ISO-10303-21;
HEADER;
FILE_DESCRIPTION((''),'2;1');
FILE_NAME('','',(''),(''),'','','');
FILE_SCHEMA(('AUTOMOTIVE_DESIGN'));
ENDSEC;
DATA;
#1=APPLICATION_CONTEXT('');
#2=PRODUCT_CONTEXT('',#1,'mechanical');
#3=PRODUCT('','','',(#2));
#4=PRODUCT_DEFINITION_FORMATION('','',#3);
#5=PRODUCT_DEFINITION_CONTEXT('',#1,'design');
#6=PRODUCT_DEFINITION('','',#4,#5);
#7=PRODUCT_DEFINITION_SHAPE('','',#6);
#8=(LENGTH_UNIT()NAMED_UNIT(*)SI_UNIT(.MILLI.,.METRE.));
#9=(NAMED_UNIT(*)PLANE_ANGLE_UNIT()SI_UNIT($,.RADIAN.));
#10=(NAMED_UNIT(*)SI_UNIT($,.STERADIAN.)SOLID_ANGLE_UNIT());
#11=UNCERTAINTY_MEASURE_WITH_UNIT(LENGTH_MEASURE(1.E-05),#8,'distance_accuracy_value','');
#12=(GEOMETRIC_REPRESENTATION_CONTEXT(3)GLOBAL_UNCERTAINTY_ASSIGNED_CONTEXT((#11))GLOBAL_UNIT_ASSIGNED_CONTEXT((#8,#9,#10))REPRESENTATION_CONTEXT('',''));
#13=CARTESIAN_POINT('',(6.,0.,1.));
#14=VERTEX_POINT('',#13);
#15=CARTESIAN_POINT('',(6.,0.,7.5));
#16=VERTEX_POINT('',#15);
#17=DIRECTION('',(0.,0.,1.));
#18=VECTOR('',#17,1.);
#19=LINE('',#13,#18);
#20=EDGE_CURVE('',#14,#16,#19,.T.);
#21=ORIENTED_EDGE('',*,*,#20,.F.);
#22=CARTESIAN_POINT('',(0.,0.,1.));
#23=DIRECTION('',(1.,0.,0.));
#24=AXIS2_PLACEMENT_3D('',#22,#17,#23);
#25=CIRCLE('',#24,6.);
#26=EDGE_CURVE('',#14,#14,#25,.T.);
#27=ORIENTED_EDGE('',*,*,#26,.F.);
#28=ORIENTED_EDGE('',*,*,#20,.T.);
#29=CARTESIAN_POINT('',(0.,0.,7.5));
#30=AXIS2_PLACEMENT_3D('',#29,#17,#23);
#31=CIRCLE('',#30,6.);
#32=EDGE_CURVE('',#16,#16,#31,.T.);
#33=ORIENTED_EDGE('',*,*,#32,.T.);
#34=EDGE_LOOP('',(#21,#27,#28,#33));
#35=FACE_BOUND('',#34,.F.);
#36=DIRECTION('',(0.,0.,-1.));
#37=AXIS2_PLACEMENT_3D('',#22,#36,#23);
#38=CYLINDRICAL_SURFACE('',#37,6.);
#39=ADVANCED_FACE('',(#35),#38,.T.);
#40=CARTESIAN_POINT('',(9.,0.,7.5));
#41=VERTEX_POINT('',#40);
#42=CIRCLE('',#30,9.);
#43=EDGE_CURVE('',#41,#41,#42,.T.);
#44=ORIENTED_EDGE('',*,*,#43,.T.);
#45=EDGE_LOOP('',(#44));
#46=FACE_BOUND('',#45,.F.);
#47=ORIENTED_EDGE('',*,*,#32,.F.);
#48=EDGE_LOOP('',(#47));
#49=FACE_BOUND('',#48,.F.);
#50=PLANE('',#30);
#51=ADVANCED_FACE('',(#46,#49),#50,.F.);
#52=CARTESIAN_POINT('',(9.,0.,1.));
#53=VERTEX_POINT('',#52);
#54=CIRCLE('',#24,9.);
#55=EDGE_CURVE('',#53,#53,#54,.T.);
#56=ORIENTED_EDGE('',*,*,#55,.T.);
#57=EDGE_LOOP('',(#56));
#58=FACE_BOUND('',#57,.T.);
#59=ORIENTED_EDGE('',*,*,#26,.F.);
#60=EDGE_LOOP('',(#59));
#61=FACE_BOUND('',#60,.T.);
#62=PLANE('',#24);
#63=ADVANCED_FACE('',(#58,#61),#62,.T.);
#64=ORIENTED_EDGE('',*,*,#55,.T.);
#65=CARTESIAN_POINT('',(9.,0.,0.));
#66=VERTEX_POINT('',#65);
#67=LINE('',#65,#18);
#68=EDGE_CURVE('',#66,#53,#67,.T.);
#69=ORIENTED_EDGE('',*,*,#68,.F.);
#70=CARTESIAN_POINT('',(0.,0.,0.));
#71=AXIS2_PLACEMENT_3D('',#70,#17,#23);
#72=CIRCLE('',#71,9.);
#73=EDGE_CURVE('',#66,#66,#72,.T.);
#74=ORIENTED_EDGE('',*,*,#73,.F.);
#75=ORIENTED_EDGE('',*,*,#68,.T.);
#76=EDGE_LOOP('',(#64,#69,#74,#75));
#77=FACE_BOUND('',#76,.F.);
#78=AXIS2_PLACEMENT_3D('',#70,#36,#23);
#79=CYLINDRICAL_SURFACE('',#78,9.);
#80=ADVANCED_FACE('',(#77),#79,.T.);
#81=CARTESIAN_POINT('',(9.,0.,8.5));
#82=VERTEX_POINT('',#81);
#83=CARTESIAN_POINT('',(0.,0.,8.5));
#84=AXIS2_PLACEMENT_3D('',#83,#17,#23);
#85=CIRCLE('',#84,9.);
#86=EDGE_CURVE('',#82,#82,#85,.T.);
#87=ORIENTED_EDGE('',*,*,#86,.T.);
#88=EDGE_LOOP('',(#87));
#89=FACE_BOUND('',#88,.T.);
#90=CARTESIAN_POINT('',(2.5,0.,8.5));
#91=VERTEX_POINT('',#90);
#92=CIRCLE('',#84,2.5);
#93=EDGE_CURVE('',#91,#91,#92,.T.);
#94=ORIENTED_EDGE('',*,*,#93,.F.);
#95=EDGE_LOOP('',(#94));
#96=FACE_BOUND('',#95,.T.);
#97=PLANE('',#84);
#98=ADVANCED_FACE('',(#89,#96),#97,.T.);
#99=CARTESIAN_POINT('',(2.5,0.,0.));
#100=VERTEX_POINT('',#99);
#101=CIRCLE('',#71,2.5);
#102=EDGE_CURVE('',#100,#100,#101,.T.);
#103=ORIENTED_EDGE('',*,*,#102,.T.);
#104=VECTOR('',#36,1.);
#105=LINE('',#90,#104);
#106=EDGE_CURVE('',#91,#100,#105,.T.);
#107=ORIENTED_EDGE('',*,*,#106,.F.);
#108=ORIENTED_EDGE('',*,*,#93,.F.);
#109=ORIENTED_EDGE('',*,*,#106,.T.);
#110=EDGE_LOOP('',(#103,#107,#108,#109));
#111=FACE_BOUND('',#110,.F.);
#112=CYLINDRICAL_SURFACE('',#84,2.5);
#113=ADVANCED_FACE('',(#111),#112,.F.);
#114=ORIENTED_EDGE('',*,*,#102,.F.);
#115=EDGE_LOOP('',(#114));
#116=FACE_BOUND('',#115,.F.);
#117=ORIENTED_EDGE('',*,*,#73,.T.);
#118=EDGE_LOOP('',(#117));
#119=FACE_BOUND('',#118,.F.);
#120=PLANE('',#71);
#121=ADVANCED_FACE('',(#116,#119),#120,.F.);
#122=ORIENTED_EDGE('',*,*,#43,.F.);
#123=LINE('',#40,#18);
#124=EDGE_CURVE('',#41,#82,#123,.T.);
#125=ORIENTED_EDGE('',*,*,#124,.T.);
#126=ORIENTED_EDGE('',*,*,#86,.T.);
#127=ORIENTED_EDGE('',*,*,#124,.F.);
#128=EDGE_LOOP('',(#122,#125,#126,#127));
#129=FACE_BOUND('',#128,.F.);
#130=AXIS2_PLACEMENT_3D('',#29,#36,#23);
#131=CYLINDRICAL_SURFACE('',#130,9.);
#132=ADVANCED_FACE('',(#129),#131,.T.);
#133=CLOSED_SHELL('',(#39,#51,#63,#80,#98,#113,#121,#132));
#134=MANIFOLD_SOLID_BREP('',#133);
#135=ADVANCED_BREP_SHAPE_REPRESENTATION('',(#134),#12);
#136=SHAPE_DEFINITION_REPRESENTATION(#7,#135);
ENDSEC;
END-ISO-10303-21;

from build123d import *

# Parameters (mm, degrees)
SKETCH_1_R          = 9
EXTRUDE_1_DEPTH     = 1
SKETCH_2_R          = 6
EXTRUDE_2_DEPTH     = 6.5
SKETCH_3_R          = 9
EXTRUDE_3_DEPTH     = 1
SKETCH_4_R          = 2.5
CUT_EXTRUDE_1_DEPTH = 9.5


with BuildPart() as part:
    # 草图1 → 凸台-拉伸1 (new body)
    with BuildSketch(Plane.XY):
        Circle(SKETCH_1_R)
    extrude(amount=EXTRUDE_1_DEPTH)

    # 草图2 → 凸台-拉伸2 (add)
    with BuildSketch(Plane.XY.offset(1)):
        Circle(SKETCH_2_R)
    extrude(amount=EXTRUDE_2_DEPTH)

    # 草图3 → 凸台-拉伸3 (add)
    with BuildSketch(Plane.XY.offset(7.5)):
        Circle(SKETCH_3_R)
    extrude(amount=EXTRUDE_3_DEPTH)

    # 草图4 → 切除-拉伸1 (cut, through all)
    with BuildSketch(Plane.XY.offset(8.5)):
        Circle(SKETCH_4_R)
    extrude(amount=-CUT_EXTRUDE_1_DEPTH, mode=Mode.SUBTRACT)


solid = part.part
